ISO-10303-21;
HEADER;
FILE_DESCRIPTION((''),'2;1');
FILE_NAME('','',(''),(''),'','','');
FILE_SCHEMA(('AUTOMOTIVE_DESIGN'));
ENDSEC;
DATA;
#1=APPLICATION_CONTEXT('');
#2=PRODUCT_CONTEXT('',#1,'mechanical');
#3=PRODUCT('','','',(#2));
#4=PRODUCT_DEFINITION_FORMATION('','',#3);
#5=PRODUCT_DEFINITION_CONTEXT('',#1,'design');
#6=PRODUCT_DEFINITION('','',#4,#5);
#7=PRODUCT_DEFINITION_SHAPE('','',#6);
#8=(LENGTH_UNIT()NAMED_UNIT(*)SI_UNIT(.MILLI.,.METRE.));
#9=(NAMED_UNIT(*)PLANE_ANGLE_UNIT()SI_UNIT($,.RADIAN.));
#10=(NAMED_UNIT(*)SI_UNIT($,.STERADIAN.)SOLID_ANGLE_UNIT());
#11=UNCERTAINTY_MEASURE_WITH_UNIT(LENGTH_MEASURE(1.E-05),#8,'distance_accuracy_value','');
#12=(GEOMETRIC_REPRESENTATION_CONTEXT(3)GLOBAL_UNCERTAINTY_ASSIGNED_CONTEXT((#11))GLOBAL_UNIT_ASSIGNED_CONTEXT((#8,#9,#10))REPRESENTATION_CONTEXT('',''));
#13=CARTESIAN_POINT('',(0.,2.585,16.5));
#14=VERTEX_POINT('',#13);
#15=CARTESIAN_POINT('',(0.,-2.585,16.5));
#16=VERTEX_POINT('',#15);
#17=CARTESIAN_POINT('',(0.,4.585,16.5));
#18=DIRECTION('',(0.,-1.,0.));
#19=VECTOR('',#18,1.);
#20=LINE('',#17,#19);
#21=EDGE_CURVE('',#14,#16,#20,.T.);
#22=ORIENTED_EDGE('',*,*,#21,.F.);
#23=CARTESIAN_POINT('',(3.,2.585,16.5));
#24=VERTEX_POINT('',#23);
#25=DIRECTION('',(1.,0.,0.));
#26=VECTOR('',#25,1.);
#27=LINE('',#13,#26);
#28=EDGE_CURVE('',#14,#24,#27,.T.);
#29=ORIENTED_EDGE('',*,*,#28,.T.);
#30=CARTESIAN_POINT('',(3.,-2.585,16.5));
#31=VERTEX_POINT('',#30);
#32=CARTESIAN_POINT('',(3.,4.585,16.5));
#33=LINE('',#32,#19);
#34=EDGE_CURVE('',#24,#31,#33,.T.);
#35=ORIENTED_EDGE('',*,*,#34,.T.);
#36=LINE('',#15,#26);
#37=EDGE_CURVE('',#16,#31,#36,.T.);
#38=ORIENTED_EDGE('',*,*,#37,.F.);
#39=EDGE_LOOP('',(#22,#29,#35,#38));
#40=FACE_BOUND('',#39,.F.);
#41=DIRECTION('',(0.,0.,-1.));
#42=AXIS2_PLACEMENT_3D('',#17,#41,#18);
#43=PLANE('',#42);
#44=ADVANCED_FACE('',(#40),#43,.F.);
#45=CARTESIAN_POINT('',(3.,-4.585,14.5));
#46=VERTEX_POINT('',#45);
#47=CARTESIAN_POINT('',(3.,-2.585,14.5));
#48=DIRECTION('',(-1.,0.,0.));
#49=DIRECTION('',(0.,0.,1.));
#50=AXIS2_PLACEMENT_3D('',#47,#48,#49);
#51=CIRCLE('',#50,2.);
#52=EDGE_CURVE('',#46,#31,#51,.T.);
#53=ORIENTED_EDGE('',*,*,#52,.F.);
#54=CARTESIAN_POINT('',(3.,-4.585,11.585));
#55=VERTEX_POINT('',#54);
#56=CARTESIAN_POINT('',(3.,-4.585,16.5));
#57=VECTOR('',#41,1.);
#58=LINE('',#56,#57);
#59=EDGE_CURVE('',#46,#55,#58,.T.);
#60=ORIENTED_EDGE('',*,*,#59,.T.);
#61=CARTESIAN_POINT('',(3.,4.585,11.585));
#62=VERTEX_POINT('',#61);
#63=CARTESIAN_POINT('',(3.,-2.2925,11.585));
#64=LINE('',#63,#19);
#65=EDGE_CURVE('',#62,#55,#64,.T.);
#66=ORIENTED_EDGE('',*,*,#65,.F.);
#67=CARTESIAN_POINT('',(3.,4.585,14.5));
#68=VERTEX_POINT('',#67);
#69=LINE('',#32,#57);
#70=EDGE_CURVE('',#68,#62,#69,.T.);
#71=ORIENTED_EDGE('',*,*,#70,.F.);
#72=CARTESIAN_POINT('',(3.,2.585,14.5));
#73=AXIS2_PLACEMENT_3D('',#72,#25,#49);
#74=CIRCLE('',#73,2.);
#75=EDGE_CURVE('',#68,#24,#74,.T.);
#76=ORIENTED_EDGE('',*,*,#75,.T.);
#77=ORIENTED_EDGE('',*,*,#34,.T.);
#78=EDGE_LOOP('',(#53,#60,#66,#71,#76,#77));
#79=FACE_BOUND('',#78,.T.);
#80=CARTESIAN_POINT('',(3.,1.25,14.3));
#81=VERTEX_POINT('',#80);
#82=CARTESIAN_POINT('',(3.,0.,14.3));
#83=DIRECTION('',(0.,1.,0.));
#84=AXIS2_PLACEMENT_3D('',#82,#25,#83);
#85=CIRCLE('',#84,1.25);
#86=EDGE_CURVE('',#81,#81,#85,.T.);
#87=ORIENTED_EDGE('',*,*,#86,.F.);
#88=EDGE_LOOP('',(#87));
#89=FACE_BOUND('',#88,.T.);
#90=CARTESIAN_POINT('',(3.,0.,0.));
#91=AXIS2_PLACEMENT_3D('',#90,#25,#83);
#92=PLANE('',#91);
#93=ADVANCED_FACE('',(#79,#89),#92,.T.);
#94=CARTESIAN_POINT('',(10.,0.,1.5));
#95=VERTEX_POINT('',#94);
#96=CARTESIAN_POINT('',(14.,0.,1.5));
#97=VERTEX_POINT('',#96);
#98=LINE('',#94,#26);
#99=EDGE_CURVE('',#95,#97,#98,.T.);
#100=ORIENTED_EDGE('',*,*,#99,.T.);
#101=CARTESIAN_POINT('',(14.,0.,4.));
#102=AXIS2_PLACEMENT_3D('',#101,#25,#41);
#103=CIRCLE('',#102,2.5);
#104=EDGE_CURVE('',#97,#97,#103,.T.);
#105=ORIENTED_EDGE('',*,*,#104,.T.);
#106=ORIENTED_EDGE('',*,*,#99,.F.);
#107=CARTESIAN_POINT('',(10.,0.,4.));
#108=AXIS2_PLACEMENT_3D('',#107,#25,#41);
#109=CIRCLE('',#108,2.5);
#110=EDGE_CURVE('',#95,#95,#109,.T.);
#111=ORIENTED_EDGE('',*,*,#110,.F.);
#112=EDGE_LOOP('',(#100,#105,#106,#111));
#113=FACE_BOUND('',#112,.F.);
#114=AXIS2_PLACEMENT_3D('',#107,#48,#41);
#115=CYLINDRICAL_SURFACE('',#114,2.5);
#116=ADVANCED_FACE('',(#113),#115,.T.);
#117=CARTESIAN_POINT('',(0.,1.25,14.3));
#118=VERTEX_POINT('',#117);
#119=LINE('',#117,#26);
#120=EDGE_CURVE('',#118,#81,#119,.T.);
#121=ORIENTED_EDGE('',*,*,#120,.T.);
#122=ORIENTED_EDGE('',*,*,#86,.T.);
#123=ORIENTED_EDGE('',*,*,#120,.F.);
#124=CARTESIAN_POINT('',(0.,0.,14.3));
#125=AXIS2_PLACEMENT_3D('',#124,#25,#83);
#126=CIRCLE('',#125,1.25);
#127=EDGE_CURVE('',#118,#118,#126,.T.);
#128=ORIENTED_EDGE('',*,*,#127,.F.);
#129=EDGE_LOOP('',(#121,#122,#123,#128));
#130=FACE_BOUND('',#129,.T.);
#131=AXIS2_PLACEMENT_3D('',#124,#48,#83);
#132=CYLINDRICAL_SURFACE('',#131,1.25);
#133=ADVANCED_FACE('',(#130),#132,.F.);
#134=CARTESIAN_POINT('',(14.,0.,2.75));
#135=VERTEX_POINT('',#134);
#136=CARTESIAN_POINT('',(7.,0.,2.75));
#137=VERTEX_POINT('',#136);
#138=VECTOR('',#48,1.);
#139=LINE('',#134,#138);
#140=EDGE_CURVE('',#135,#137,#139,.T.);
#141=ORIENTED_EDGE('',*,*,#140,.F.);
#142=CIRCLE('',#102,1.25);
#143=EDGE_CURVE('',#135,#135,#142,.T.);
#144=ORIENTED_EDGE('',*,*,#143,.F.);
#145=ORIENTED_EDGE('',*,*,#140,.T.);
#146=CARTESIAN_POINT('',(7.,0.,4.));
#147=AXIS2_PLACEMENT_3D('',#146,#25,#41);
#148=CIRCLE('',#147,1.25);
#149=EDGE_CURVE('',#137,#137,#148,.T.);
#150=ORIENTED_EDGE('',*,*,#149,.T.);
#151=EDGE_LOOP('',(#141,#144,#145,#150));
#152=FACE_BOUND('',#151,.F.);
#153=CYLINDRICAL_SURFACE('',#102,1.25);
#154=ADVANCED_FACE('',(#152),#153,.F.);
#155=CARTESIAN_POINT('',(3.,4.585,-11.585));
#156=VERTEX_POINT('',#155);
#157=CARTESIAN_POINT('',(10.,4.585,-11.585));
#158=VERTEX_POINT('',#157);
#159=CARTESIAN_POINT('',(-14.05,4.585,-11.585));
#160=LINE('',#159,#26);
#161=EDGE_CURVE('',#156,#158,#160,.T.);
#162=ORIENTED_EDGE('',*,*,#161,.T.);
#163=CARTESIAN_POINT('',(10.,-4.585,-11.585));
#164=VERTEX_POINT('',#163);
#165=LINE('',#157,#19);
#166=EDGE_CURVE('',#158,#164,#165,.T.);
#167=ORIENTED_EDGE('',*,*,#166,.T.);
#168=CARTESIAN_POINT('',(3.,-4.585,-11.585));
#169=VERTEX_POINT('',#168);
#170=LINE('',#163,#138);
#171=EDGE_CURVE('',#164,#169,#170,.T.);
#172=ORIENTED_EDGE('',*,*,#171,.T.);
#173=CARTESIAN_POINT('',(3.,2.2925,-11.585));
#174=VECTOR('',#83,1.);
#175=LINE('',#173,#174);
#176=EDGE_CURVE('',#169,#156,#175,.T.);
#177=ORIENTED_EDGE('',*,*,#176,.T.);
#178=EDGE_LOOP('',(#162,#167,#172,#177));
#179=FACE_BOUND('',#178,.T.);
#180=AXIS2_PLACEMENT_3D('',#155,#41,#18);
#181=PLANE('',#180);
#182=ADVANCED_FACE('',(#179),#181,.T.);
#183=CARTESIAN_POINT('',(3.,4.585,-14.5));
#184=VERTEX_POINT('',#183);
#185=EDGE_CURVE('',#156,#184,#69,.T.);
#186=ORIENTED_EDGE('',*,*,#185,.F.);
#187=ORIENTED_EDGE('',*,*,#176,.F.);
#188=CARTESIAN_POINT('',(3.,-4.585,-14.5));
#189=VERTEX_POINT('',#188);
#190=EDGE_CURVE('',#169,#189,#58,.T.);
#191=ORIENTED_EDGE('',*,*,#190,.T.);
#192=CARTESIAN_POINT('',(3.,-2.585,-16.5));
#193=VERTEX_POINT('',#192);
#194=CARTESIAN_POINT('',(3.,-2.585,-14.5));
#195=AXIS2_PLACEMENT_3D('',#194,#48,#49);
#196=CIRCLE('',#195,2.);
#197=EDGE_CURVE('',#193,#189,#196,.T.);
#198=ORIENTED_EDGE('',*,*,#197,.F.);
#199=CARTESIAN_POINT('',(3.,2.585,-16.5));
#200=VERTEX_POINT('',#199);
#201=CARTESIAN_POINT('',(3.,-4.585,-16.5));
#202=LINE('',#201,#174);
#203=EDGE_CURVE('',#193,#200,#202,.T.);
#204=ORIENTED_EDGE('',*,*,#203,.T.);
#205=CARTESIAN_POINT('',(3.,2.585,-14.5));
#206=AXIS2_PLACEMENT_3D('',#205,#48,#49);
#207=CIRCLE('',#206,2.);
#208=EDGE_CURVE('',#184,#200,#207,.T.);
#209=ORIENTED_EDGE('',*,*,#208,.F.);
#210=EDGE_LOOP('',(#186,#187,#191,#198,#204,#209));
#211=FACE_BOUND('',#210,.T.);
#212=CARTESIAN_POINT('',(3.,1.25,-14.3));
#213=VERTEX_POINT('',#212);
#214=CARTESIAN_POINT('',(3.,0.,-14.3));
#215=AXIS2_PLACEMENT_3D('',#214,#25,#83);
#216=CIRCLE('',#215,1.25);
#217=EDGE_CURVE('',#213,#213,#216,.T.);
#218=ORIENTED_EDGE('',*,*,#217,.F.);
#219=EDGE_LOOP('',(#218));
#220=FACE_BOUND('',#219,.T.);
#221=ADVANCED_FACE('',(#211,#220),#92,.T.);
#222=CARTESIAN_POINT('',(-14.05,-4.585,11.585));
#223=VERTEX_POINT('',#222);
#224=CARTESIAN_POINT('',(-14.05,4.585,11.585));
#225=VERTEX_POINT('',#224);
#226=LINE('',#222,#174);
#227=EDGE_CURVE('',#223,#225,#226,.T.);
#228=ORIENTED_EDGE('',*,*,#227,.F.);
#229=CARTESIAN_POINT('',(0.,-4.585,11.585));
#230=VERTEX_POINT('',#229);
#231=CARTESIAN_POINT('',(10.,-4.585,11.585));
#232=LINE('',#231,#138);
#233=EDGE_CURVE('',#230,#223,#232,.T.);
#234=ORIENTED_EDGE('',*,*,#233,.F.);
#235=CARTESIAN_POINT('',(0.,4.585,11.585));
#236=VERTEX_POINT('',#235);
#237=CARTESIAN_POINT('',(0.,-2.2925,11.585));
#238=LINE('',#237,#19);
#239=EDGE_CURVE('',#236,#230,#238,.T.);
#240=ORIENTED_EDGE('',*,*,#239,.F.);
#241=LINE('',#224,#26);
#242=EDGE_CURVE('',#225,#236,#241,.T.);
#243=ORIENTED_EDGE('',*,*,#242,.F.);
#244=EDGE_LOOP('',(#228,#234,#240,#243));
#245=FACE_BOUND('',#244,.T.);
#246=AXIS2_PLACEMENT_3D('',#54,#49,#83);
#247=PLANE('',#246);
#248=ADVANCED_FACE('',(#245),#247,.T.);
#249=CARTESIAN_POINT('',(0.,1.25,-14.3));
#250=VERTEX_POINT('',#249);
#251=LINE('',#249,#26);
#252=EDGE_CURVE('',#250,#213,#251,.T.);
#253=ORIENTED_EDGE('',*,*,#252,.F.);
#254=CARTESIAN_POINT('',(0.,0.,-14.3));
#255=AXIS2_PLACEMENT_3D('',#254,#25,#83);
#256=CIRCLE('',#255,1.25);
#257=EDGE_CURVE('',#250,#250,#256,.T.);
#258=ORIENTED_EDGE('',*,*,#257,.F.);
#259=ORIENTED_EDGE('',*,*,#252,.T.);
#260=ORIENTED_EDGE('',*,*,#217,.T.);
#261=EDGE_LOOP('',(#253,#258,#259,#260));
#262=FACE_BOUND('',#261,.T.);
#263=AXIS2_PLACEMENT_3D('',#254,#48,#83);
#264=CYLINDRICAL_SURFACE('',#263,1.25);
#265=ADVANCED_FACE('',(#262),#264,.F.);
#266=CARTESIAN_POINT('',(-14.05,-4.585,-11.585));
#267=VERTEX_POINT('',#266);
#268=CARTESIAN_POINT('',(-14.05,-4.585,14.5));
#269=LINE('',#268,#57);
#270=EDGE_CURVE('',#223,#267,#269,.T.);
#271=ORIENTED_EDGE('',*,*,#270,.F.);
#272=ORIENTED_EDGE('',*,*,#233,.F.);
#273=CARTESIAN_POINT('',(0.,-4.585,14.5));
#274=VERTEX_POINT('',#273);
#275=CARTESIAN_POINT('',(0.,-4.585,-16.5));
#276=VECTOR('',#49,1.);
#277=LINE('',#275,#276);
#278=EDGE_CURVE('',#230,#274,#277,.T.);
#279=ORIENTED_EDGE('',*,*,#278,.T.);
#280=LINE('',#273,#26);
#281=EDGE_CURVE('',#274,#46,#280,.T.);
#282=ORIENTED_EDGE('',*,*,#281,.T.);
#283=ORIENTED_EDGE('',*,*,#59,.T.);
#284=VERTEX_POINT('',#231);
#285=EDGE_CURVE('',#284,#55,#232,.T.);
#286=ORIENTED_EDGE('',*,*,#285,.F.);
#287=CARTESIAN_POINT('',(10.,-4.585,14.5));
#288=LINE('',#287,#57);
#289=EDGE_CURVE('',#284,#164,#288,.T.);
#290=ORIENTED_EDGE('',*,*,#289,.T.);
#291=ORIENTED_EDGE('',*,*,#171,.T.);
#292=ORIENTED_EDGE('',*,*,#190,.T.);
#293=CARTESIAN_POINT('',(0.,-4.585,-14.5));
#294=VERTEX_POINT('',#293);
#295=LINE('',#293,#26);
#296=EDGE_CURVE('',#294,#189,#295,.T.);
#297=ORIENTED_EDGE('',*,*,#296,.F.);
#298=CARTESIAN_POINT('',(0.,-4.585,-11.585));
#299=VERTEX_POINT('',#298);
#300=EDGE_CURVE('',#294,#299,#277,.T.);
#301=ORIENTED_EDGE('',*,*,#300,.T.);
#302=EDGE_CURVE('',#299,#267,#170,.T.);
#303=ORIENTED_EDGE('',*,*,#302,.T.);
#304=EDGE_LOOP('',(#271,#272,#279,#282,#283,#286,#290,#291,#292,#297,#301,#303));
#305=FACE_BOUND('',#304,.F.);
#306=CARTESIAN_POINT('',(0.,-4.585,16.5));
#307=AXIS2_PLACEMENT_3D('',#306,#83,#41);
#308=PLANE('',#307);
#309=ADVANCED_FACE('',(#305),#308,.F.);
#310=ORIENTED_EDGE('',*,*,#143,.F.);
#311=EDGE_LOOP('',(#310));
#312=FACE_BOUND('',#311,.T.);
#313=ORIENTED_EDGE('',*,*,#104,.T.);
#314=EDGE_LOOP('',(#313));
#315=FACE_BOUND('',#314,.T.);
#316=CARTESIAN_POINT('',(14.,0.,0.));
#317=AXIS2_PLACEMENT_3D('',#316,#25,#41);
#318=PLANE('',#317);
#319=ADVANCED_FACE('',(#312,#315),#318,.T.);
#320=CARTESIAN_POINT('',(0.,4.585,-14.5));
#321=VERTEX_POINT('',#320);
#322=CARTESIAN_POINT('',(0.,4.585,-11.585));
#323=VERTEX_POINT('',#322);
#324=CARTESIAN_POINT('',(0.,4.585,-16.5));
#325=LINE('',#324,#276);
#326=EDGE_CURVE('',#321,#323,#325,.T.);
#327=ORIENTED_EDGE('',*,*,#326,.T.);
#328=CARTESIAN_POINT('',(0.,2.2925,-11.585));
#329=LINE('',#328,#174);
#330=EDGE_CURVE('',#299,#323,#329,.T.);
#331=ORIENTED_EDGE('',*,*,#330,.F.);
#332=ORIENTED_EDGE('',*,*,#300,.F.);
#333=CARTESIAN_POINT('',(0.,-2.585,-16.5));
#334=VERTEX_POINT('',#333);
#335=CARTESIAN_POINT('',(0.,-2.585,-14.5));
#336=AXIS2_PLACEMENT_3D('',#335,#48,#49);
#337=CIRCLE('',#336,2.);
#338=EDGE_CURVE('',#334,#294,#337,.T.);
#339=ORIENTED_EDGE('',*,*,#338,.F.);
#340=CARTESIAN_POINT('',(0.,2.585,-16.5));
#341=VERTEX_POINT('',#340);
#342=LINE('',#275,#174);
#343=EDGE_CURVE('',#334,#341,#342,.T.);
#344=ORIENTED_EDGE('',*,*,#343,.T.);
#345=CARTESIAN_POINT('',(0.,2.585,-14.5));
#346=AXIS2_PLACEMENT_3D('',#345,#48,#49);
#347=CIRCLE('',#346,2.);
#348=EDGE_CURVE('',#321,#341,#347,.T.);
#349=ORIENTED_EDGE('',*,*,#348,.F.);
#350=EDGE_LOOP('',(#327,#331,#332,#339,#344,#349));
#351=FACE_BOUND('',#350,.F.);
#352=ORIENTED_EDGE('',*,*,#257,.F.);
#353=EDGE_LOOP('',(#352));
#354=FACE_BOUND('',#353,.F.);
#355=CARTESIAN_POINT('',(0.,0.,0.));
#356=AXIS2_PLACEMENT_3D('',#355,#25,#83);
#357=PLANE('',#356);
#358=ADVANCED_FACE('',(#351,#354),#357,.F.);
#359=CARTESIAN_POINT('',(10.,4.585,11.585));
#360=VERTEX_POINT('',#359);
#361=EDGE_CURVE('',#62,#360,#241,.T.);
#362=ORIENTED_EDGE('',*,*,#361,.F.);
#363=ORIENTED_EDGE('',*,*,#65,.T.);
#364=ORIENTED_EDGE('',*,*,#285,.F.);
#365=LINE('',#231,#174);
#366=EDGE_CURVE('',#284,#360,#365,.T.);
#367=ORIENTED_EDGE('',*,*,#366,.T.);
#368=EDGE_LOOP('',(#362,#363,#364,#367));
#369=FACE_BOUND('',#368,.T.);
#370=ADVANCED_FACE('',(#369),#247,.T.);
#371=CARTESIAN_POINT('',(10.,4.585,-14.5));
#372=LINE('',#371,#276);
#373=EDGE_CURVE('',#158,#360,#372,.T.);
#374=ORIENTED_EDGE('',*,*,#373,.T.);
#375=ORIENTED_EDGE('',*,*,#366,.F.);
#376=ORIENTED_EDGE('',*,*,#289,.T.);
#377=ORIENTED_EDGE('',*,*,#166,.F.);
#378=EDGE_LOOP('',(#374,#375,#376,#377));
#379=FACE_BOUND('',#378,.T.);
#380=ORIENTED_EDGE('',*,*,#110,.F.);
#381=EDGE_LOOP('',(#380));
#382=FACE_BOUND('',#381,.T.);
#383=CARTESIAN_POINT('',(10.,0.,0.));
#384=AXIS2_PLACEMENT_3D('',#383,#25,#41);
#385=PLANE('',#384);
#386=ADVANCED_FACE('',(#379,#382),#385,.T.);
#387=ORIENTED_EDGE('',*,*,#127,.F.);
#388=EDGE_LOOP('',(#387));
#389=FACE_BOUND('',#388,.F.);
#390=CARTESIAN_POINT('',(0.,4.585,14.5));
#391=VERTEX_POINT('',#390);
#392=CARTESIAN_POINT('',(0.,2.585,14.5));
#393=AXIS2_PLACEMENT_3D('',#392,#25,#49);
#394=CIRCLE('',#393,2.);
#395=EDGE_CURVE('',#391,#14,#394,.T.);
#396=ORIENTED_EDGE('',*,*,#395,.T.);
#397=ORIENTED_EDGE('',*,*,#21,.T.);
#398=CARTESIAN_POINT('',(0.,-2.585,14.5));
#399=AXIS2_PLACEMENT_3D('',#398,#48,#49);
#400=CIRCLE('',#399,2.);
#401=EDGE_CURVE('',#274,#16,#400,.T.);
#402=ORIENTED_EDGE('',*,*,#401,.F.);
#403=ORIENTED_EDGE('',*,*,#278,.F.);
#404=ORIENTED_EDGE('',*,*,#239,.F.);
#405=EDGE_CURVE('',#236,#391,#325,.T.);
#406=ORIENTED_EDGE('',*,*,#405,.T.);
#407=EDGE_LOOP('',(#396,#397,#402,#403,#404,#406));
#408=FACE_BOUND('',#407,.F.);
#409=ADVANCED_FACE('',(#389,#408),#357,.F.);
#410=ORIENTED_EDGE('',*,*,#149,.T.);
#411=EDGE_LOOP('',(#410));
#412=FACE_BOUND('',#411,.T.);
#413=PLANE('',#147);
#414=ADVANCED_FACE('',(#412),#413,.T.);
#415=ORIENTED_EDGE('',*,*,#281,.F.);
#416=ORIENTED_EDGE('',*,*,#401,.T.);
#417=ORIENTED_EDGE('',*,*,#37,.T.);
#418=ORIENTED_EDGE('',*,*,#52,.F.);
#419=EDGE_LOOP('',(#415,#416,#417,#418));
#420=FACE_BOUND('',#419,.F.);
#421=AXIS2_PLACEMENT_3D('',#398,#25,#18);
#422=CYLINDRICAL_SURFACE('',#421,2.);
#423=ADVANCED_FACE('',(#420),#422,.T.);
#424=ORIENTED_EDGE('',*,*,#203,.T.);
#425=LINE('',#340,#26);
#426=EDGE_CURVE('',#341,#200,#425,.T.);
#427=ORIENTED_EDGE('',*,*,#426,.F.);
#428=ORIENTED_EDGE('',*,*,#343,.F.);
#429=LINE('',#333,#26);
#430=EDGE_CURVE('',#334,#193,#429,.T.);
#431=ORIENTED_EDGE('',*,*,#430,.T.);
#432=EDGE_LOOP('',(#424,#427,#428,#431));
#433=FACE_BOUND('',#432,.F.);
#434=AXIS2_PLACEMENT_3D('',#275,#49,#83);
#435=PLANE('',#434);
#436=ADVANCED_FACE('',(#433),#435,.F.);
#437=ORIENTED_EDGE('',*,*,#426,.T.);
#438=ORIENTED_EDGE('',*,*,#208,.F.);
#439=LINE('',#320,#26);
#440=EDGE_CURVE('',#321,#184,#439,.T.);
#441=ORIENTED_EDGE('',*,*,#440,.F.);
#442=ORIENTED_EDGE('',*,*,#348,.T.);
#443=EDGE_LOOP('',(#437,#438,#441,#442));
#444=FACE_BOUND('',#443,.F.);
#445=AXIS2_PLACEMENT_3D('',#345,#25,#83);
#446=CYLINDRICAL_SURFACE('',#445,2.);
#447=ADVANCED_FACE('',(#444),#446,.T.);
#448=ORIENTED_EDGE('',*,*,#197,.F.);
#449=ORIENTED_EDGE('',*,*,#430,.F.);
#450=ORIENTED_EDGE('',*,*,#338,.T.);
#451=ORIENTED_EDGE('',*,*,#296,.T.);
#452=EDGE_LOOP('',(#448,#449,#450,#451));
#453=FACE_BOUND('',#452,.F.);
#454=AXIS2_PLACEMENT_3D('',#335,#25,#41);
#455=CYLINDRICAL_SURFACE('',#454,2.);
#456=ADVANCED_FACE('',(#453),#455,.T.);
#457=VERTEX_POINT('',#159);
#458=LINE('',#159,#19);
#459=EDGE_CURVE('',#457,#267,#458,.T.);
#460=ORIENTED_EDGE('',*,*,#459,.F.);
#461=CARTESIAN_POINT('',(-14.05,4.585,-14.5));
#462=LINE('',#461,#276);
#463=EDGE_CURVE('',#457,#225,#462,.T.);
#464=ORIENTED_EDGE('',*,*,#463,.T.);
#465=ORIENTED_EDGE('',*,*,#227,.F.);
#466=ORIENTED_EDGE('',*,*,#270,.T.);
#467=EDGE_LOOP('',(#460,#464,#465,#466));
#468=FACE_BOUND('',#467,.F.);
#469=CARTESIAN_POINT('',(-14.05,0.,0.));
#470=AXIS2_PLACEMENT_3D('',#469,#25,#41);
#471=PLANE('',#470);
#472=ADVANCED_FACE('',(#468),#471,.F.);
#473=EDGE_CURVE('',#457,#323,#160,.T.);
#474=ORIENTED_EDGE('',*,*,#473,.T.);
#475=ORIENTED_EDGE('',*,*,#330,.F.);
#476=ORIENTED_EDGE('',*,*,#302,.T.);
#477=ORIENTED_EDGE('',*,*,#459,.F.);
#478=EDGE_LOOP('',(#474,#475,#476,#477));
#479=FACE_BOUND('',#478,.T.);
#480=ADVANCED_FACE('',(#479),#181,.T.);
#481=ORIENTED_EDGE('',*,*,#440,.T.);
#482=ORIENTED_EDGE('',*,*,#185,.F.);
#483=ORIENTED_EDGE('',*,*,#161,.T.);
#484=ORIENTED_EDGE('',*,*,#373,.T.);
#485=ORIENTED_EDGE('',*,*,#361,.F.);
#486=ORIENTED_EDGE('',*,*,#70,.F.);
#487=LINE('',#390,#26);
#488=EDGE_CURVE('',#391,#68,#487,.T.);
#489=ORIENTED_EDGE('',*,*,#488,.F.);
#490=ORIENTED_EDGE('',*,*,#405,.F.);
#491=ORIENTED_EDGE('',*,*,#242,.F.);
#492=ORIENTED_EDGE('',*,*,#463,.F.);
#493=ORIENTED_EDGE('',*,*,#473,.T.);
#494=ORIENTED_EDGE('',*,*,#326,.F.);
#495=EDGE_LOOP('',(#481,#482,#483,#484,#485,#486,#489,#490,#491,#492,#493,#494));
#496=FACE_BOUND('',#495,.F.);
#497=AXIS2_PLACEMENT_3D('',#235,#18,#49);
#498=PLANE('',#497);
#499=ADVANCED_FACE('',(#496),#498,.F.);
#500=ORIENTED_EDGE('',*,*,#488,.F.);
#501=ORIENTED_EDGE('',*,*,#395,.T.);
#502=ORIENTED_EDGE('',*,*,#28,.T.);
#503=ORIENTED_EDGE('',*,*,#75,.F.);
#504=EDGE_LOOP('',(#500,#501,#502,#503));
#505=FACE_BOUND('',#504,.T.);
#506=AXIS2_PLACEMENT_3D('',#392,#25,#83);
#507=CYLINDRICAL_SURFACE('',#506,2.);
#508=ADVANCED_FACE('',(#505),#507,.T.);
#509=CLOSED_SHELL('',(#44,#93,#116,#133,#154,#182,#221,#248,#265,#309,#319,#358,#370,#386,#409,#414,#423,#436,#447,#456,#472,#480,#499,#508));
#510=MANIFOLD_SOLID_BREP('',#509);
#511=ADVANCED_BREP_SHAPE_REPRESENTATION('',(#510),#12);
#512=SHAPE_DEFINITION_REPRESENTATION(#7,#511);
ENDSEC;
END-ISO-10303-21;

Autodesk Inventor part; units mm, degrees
ref_plane "YZ Plane" through (0, 0, 0) normal (1, 0, 0) x (0, 1, 0)
ref_plane "XZ Plane" through (0, 0, 0) normal (0, 1, 0) x (-1, 0, 0)
ref_plane "XY Plane" through (0, 0, 0) normal (0, 0, 1) x (1, 0, 0)
sketch "Sketch7" plane through (0, 0, 0) normal (1, 0, 0) x (0, 1, 0)
  line L0 (4.585, 16.5) -> (-4.585, 16.5)
  line L1 (-4.585, 16.5) -> (-4.585, -16.5)
  line L2 (-4.585, -16.5) -> (4.585, -16.5)
  line L3 (4.585, -16.5) -> (4.585, 16.5)
  circle A0 centre (0, 14.3) radius 1.25
  circle A1 centre (0, -14.3) radius 1.25
  line L4 (4.585, 0) -> (-4.585, 0) construction
  line L5 (4.585, 11.585) -> (-4.585, 11.585)
  line L6 (4.585, -11.585) -> (-4.585, -11.585)
  point P0 (0, 0)
  point P1 (0, 16.5)
  point P2 (0, 0)
  dimension "d85" = 33
  dimension "d86" = 9.17
  dimension "d87" = 2.5
  dimension "d89" = 28.6
  dimension "d90" = 23.17
extrude "Extrusion3" add sketch "Sketch7" along normal blind 3
fillet "Fillet1" radius 2 1 edges at (1.5, 4.585, 16.5)
fillet "Fillet2" radius 2 1 edges at (1.5, 4.585, -16.5)
fillet "Fillet3" radius 2 1 edges at (1.5, -4.585, -16.5)
fillet "Fillet4" radius 2 1 edges at (1.5, -4.585, 16.5)
sketch "Sketch8" plane through (3, 0, 0) normal (1, 0, 0) x (0, 0, -1)
  line L0 (14.5, 4.585) -> (-14.5, 4.585) projected
  line L1 (-14.5, -4.585) -> (14.5, -4.585) projected
  line L2 (-11.585, 4.585) -> (11.585, 4.585)
  line L3 (11.585, 4.585) -> (11.585, -4.585)
  line L4 (11.585, -4.585) -> (-11.585, -4.585)
  line L5 (-11.585, -4.585) -> (-11.585, 4.585)
  line L6 (0, 4.585) -> (0, -4.585) construction
  line L7 (-11.585, 4.585) -> (11.585, 4.585)
  line L8 (11.585, -4.585) -> (-11.585, -4.585)
  point P0 (0, 0)
  point P1 (0, 0)
  point P2 (0, 4.585)
  point P3 (-11.585, -4.585)
  point P4 (11.585, 4.585)
  dimension "d97" = 23.17
extrude "Extrusion4" add sketch "Sketch8" along normal blind 7 and the other way blind 17.05
sketch "Sketch9" plane through (10, 0, 0) normal (1, 0, 0) x (0, 0, -1)
  circle A0 centre (-4, 0) radius 2.5
  point P0 (0, 0)
  dimension "d102" = 5
  dimension "d103" = 4
extrude "Extrusion5" add sketch "Sketch9" along normal blind 4
sketch "Sketch11" plane through (14, 0, 4) normal (1, 0, 0) x (0, 0, -1)
  circle A0 centre (0, 0) radius 1.25
  circle A1 centre (0, 0) radius 2.5 projected
  point P0 (4, 0)
  dimension "d107" = 2.5
extrude "Extrusion6" cut sketch "Sketch11" against normal blind 7 contours A0
properties part number "6P-014"
